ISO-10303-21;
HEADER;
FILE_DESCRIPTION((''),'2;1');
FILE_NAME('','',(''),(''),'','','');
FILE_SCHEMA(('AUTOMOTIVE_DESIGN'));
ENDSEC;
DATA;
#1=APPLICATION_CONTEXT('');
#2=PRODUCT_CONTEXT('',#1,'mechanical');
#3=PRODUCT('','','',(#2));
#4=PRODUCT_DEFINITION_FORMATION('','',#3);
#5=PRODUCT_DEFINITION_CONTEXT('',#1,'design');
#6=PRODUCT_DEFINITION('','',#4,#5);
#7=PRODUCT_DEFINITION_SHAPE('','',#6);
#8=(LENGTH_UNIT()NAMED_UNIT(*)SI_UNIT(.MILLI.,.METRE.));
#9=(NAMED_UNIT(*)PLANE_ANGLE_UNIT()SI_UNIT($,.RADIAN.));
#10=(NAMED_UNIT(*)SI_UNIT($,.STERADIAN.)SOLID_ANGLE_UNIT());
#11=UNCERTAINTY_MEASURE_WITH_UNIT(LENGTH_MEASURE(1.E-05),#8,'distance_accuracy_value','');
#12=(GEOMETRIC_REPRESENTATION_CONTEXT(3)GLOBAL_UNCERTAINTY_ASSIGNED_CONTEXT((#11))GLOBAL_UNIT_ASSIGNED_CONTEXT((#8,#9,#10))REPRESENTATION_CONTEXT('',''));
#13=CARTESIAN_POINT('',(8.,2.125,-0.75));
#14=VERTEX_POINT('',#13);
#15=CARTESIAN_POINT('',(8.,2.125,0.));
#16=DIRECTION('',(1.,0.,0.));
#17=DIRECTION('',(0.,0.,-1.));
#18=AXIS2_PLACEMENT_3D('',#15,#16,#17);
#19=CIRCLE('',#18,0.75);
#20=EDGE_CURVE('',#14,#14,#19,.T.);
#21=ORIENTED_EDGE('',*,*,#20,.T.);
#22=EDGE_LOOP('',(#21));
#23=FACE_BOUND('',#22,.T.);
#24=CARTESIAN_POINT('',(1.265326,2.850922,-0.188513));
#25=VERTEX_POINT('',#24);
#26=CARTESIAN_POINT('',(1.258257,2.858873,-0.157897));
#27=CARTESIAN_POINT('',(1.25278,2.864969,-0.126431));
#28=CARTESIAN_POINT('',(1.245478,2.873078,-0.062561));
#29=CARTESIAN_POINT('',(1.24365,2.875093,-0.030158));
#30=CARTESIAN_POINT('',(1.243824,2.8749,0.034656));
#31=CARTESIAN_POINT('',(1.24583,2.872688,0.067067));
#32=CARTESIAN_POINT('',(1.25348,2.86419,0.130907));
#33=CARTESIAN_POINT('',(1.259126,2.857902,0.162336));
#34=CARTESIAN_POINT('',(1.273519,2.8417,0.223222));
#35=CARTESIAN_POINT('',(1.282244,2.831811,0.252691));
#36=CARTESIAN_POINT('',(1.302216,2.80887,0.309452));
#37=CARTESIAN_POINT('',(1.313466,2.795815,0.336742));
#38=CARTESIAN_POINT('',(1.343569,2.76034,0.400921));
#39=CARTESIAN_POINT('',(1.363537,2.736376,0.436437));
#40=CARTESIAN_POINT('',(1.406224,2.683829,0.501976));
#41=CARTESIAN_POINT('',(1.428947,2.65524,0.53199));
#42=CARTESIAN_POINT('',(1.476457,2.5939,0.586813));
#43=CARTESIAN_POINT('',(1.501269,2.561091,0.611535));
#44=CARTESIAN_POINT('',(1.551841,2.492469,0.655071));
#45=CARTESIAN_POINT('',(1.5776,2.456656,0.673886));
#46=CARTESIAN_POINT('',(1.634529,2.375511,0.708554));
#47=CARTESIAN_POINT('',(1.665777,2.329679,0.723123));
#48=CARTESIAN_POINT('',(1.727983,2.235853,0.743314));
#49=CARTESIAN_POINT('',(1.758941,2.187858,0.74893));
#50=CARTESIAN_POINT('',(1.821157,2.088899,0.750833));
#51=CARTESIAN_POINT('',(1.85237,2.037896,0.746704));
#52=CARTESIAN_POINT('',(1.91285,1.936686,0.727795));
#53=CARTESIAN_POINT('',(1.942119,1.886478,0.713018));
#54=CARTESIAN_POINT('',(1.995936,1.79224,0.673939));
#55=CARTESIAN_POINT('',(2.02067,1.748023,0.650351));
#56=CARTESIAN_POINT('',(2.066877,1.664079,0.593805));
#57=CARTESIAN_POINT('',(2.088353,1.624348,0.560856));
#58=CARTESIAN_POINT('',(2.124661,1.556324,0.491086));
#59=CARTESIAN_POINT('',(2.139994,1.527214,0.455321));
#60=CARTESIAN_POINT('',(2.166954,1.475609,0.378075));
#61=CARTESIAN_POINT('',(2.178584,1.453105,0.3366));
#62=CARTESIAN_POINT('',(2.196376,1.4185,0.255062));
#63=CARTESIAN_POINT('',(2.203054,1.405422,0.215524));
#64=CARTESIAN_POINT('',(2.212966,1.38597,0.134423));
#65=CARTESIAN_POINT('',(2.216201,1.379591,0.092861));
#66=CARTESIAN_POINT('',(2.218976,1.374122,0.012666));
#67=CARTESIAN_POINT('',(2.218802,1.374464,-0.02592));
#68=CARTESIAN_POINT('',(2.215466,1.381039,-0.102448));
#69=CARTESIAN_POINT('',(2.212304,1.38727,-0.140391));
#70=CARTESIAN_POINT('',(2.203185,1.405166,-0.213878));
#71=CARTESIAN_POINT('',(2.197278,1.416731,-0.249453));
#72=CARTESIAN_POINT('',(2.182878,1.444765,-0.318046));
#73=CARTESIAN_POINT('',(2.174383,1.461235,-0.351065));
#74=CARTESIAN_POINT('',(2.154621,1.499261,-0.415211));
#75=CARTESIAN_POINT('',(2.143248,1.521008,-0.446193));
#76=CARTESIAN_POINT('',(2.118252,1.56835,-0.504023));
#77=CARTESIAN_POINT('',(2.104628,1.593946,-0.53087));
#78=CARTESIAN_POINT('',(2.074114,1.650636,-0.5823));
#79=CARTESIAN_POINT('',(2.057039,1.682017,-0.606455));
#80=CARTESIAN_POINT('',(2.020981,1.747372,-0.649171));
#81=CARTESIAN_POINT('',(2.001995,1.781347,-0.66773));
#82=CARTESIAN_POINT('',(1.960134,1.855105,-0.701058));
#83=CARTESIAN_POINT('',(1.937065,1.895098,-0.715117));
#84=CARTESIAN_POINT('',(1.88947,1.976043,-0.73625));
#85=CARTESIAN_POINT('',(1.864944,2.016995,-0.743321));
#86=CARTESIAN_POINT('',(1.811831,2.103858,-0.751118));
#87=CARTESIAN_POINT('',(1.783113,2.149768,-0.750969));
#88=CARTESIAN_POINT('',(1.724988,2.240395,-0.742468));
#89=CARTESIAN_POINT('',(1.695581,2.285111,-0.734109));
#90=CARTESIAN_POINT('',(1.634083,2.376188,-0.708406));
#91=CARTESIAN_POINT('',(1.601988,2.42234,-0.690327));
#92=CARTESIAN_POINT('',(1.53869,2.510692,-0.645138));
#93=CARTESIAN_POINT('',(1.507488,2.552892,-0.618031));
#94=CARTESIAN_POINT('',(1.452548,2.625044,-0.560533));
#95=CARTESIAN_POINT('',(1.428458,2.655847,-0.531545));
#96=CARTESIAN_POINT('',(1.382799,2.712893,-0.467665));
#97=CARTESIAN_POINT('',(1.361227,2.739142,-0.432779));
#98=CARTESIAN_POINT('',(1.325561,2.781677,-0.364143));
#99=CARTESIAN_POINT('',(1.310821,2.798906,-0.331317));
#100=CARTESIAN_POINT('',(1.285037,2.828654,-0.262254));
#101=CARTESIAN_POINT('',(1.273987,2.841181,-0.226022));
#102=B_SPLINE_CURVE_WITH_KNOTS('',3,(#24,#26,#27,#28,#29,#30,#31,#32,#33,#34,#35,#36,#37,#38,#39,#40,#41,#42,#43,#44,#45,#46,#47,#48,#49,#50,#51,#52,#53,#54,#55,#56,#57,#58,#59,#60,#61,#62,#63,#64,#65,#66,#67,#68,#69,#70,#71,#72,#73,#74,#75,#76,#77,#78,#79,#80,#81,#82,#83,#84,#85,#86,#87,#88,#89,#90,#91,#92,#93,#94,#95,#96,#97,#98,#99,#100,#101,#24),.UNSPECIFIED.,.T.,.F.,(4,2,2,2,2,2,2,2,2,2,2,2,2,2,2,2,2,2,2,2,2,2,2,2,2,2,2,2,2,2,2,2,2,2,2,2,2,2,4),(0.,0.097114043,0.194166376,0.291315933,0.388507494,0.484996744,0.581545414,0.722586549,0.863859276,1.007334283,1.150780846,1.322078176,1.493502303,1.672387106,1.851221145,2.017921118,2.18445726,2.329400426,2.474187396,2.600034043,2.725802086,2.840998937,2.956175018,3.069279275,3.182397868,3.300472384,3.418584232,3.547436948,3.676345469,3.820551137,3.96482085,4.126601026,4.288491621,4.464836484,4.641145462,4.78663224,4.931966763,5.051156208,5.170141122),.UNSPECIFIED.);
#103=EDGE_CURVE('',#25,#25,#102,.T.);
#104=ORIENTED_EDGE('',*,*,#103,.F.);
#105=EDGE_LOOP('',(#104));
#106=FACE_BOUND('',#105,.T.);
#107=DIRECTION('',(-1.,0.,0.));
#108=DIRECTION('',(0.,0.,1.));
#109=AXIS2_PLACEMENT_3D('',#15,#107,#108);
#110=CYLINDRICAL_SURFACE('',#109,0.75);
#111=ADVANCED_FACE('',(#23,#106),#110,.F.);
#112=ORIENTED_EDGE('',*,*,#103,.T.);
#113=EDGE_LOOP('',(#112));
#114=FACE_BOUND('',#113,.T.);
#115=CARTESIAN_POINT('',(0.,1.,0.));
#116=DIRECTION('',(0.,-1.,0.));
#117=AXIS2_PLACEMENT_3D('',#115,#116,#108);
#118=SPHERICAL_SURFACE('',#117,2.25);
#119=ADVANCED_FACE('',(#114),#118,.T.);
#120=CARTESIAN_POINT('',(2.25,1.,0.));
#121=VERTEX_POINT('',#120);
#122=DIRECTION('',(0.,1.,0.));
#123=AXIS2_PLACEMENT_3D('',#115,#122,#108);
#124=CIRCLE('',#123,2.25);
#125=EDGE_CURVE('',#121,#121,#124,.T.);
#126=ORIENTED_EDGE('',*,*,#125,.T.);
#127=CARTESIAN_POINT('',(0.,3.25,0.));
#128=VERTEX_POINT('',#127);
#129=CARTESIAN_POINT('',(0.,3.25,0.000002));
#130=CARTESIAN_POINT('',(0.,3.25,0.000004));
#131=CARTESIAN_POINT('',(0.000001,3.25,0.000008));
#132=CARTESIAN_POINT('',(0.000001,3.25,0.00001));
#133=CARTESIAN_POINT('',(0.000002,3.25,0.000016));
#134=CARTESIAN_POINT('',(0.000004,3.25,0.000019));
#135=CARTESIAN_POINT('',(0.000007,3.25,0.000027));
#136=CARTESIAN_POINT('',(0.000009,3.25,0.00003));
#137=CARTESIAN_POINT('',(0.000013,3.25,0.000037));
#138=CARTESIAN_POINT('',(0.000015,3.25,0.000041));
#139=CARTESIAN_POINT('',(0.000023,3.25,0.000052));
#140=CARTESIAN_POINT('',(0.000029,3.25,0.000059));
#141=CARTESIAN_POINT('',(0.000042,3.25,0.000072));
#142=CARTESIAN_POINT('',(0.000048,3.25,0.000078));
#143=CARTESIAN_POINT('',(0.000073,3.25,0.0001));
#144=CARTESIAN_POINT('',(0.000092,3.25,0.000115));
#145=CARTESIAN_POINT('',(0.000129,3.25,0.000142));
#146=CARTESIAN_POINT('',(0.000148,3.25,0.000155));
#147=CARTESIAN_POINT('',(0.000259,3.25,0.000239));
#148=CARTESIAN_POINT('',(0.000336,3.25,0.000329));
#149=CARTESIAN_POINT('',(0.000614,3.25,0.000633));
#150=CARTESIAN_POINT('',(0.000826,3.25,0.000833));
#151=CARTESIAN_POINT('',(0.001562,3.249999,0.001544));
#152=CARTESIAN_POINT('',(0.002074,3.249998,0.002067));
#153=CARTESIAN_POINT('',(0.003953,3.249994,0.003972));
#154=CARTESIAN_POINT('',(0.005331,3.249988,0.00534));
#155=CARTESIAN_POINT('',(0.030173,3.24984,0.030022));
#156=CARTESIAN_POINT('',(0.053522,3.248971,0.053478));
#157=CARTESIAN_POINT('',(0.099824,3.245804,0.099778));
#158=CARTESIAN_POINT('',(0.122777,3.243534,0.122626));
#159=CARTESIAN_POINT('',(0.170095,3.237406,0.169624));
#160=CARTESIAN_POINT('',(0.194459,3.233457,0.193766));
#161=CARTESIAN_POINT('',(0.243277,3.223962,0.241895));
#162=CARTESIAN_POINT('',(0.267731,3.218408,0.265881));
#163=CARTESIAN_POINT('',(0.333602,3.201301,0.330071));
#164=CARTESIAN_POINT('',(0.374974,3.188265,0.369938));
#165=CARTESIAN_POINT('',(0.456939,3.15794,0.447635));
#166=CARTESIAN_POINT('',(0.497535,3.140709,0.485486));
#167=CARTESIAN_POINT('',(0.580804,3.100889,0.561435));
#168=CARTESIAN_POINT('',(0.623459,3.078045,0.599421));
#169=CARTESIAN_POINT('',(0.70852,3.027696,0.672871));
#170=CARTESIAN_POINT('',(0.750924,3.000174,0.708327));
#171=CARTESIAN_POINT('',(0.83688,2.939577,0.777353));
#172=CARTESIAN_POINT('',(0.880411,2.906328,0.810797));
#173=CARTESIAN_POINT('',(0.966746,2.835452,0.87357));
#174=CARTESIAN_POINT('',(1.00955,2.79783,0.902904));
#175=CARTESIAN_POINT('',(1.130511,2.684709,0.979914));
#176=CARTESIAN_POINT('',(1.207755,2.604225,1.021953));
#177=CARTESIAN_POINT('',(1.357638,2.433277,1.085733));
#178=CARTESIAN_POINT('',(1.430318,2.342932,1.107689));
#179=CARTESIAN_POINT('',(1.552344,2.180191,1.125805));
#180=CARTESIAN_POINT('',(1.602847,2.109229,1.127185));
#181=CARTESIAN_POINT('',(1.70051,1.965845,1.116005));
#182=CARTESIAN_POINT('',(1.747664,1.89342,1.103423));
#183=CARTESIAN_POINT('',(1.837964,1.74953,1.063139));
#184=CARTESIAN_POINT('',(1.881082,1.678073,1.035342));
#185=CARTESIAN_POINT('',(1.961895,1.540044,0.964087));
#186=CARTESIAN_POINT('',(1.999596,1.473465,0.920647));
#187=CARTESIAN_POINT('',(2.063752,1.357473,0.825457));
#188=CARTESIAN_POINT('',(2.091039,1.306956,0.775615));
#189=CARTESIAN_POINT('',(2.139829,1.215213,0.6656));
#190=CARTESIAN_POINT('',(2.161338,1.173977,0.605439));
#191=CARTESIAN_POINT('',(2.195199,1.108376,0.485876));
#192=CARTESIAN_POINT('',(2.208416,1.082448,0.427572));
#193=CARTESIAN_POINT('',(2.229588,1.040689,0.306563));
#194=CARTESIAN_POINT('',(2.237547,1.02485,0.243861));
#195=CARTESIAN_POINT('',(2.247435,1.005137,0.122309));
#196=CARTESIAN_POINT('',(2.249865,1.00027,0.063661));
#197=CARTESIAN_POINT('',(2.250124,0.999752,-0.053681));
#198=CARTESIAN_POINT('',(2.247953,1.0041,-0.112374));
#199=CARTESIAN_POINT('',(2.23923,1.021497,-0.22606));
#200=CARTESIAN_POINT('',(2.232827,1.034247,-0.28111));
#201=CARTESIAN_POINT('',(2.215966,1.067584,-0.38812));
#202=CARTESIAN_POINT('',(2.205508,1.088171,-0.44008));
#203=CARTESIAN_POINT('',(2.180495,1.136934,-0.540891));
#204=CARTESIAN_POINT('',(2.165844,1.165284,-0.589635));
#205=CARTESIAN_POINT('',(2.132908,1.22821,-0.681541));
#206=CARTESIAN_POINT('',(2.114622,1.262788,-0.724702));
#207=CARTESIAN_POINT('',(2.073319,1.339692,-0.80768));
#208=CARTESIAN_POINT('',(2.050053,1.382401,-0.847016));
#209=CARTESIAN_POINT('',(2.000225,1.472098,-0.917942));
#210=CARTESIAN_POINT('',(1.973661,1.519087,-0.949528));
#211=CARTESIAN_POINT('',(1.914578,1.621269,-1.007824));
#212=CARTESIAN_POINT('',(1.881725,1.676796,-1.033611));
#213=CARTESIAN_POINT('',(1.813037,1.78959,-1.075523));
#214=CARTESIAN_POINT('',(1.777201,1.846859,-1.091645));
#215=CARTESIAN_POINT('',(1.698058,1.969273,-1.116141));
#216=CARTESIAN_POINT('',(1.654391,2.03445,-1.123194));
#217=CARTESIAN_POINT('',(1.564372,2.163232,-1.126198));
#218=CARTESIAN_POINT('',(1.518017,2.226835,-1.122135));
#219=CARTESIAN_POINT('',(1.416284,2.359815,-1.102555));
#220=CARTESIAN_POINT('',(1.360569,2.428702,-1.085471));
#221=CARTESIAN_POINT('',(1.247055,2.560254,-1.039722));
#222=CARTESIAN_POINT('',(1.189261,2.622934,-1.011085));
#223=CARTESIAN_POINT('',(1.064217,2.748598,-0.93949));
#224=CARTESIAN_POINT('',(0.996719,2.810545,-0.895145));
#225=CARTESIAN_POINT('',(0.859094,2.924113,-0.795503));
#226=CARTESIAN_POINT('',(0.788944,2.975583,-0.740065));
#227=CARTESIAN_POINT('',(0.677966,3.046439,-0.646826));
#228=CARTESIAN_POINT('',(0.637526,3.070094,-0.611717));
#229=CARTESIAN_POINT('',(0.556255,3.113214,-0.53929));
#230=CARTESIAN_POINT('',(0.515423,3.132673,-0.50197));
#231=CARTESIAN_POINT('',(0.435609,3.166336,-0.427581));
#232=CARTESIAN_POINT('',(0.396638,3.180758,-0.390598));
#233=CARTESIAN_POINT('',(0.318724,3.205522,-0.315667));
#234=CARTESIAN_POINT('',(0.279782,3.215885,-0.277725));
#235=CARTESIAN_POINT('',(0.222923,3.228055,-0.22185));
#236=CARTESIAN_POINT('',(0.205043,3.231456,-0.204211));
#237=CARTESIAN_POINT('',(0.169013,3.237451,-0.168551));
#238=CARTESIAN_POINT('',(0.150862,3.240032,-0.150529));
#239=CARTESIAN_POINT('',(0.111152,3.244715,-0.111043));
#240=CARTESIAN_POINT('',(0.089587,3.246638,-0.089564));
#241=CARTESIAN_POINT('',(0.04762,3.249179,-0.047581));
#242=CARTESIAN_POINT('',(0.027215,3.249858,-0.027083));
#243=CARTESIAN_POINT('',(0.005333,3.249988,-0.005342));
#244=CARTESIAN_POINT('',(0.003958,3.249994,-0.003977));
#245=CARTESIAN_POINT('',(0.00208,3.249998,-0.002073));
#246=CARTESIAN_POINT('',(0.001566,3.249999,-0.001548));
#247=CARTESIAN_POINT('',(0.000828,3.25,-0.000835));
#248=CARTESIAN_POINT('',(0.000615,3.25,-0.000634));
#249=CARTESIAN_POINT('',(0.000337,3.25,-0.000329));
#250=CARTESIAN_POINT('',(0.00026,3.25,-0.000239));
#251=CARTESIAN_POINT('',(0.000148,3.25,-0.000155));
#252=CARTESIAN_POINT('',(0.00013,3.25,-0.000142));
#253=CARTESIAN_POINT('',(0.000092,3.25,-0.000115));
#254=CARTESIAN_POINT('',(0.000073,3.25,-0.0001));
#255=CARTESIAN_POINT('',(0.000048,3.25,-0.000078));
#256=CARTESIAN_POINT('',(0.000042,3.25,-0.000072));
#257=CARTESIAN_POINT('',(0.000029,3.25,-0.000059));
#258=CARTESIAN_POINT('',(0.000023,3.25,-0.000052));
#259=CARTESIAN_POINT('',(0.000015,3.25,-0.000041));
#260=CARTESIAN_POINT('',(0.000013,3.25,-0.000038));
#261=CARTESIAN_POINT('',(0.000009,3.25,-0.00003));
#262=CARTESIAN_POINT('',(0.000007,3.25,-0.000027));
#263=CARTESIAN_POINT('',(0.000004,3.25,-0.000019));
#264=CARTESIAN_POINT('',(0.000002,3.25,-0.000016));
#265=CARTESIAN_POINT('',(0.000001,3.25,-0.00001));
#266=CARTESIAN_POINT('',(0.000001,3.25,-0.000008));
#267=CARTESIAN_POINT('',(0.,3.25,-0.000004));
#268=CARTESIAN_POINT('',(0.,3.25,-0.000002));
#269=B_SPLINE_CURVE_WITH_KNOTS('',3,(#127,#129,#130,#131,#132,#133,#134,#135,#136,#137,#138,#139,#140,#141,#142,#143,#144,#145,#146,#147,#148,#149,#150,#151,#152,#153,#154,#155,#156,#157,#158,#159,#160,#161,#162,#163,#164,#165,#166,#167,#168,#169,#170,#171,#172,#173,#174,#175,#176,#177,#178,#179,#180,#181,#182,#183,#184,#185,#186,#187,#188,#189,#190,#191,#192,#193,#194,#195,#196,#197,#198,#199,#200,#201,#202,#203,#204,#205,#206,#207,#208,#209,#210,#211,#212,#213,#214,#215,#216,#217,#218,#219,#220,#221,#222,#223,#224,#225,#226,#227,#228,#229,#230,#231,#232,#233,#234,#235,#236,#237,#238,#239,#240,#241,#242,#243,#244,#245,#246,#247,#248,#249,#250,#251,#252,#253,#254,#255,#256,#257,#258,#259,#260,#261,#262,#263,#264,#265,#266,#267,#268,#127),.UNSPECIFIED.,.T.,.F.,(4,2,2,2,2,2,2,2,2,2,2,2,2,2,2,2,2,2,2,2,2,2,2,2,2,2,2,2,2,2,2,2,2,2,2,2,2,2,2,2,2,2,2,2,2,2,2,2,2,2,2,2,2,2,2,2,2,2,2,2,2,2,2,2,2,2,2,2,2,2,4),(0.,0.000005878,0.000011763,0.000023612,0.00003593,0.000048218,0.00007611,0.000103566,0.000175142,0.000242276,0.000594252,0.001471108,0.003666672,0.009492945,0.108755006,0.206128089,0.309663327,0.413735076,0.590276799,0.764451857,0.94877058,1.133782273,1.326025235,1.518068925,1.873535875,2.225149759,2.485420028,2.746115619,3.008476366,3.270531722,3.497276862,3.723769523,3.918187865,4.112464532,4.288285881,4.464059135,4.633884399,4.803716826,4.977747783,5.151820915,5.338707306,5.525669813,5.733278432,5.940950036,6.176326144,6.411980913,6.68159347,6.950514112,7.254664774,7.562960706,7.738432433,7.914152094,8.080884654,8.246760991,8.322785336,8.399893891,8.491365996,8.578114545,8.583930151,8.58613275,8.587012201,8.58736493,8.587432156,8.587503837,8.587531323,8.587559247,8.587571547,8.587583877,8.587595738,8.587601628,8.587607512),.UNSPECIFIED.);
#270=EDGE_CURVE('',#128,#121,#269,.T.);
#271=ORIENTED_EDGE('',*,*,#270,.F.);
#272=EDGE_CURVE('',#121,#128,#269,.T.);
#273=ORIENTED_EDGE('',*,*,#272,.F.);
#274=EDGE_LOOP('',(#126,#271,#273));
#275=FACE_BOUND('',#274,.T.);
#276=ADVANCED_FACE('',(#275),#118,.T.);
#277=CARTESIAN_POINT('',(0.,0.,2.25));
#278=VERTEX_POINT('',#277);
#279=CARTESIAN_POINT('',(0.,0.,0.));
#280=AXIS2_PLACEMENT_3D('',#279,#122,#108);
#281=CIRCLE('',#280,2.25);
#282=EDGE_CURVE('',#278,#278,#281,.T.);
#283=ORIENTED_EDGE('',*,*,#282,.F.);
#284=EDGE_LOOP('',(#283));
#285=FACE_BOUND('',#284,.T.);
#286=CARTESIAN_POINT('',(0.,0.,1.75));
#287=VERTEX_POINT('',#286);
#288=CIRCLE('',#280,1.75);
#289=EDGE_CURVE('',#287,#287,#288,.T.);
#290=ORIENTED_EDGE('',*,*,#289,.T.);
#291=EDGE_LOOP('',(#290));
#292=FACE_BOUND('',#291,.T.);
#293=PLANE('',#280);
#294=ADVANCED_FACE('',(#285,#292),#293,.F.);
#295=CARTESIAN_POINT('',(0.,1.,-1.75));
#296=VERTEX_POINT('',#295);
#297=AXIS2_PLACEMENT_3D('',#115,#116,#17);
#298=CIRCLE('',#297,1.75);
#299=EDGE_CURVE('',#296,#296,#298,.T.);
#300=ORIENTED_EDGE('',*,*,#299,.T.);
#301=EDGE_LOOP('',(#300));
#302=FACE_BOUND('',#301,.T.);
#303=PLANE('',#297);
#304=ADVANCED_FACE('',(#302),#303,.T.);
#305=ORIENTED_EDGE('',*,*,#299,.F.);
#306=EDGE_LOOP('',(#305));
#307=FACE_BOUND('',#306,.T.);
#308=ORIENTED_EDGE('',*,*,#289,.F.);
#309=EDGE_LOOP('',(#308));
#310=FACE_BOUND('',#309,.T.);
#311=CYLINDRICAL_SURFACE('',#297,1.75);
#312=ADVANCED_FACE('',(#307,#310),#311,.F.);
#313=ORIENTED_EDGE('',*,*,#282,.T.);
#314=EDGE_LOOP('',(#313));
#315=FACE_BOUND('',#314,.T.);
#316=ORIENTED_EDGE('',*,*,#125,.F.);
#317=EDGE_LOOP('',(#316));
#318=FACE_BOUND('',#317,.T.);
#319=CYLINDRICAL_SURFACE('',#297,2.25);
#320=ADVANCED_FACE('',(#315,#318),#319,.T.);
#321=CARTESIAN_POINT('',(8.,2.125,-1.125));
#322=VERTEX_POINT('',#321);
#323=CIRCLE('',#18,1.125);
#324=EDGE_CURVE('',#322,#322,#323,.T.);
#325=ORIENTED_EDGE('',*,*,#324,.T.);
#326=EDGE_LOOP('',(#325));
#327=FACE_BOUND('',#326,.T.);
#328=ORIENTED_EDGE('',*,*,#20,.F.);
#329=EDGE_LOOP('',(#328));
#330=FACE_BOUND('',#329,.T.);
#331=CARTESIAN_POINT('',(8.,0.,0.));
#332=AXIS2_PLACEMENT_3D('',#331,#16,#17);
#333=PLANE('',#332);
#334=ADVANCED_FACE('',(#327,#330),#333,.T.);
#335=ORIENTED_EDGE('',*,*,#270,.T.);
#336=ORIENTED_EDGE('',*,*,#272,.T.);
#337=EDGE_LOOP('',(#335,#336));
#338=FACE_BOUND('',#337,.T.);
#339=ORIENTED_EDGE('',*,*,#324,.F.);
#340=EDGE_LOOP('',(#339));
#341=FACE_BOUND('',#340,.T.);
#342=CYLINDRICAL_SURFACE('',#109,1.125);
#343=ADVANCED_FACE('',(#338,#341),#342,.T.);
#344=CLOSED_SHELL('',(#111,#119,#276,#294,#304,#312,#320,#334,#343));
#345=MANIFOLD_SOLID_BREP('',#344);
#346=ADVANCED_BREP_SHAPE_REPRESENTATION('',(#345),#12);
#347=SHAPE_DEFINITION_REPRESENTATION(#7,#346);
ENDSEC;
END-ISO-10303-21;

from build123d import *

# Parameters (mm, degrees)
SKETCH_1_R      = 2.25
SKETCH_1_R_2    = 1.75
EXTRUDE_1_DEPTH = 1
SKETCH_3_R      = 1.125
SKETCH_3_R_2    = 0.75
EXTRUDE_2_DEPTH = 8


with BuildPart() as part:
    # 草图1 → 凸台-拉伸1 (new body)
    with BuildSketch(Plane(origin=(0, 0, 0), x_dir=(1, 0, 0), z_dir=(0, 1, 0))):
        Circle(SKETCH_1_R)
        Circle(SKETCH_1_R_2, mode=Mode.SUBTRACT)
    extrude(amount=EXTRUDE_1_DEPTH)

    # 草图2 → 旋转1 (revolve)
    with BuildSketch(Plane(origin=(0, 0, 0), x_dir=(0, 0, -1), z_dir=(1, 0, 0))):
        with BuildLine():
            Line((0, 1), (0, 3.25))
            ThreePointArc((0, 3.25), (-1.590990258, 2.590990258), (-2.25, 1))
            Line((-2.25, 1), (0, 1))
        make_face()
    revolve(axis=Axis((0, 0, 0), (0, 1, 0)))

    # 草图3 → 凸台-拉伸2 (add)
    with BuildSketch(Plane(origin=(0, 0, 0), x_dir=(0, 0, -1), z_dir=(1, 0, 0))):
        with Locations((0, 2.125)):
            Circle(SKETCH_3_R)
        with Locations((0, 2.125)):
            Circle(SKETCH_3_R_2, mode=Mode.SUBTRACT)
    extrude(amount=EXTRUDE_2_DEPTH)


solid = part.part
